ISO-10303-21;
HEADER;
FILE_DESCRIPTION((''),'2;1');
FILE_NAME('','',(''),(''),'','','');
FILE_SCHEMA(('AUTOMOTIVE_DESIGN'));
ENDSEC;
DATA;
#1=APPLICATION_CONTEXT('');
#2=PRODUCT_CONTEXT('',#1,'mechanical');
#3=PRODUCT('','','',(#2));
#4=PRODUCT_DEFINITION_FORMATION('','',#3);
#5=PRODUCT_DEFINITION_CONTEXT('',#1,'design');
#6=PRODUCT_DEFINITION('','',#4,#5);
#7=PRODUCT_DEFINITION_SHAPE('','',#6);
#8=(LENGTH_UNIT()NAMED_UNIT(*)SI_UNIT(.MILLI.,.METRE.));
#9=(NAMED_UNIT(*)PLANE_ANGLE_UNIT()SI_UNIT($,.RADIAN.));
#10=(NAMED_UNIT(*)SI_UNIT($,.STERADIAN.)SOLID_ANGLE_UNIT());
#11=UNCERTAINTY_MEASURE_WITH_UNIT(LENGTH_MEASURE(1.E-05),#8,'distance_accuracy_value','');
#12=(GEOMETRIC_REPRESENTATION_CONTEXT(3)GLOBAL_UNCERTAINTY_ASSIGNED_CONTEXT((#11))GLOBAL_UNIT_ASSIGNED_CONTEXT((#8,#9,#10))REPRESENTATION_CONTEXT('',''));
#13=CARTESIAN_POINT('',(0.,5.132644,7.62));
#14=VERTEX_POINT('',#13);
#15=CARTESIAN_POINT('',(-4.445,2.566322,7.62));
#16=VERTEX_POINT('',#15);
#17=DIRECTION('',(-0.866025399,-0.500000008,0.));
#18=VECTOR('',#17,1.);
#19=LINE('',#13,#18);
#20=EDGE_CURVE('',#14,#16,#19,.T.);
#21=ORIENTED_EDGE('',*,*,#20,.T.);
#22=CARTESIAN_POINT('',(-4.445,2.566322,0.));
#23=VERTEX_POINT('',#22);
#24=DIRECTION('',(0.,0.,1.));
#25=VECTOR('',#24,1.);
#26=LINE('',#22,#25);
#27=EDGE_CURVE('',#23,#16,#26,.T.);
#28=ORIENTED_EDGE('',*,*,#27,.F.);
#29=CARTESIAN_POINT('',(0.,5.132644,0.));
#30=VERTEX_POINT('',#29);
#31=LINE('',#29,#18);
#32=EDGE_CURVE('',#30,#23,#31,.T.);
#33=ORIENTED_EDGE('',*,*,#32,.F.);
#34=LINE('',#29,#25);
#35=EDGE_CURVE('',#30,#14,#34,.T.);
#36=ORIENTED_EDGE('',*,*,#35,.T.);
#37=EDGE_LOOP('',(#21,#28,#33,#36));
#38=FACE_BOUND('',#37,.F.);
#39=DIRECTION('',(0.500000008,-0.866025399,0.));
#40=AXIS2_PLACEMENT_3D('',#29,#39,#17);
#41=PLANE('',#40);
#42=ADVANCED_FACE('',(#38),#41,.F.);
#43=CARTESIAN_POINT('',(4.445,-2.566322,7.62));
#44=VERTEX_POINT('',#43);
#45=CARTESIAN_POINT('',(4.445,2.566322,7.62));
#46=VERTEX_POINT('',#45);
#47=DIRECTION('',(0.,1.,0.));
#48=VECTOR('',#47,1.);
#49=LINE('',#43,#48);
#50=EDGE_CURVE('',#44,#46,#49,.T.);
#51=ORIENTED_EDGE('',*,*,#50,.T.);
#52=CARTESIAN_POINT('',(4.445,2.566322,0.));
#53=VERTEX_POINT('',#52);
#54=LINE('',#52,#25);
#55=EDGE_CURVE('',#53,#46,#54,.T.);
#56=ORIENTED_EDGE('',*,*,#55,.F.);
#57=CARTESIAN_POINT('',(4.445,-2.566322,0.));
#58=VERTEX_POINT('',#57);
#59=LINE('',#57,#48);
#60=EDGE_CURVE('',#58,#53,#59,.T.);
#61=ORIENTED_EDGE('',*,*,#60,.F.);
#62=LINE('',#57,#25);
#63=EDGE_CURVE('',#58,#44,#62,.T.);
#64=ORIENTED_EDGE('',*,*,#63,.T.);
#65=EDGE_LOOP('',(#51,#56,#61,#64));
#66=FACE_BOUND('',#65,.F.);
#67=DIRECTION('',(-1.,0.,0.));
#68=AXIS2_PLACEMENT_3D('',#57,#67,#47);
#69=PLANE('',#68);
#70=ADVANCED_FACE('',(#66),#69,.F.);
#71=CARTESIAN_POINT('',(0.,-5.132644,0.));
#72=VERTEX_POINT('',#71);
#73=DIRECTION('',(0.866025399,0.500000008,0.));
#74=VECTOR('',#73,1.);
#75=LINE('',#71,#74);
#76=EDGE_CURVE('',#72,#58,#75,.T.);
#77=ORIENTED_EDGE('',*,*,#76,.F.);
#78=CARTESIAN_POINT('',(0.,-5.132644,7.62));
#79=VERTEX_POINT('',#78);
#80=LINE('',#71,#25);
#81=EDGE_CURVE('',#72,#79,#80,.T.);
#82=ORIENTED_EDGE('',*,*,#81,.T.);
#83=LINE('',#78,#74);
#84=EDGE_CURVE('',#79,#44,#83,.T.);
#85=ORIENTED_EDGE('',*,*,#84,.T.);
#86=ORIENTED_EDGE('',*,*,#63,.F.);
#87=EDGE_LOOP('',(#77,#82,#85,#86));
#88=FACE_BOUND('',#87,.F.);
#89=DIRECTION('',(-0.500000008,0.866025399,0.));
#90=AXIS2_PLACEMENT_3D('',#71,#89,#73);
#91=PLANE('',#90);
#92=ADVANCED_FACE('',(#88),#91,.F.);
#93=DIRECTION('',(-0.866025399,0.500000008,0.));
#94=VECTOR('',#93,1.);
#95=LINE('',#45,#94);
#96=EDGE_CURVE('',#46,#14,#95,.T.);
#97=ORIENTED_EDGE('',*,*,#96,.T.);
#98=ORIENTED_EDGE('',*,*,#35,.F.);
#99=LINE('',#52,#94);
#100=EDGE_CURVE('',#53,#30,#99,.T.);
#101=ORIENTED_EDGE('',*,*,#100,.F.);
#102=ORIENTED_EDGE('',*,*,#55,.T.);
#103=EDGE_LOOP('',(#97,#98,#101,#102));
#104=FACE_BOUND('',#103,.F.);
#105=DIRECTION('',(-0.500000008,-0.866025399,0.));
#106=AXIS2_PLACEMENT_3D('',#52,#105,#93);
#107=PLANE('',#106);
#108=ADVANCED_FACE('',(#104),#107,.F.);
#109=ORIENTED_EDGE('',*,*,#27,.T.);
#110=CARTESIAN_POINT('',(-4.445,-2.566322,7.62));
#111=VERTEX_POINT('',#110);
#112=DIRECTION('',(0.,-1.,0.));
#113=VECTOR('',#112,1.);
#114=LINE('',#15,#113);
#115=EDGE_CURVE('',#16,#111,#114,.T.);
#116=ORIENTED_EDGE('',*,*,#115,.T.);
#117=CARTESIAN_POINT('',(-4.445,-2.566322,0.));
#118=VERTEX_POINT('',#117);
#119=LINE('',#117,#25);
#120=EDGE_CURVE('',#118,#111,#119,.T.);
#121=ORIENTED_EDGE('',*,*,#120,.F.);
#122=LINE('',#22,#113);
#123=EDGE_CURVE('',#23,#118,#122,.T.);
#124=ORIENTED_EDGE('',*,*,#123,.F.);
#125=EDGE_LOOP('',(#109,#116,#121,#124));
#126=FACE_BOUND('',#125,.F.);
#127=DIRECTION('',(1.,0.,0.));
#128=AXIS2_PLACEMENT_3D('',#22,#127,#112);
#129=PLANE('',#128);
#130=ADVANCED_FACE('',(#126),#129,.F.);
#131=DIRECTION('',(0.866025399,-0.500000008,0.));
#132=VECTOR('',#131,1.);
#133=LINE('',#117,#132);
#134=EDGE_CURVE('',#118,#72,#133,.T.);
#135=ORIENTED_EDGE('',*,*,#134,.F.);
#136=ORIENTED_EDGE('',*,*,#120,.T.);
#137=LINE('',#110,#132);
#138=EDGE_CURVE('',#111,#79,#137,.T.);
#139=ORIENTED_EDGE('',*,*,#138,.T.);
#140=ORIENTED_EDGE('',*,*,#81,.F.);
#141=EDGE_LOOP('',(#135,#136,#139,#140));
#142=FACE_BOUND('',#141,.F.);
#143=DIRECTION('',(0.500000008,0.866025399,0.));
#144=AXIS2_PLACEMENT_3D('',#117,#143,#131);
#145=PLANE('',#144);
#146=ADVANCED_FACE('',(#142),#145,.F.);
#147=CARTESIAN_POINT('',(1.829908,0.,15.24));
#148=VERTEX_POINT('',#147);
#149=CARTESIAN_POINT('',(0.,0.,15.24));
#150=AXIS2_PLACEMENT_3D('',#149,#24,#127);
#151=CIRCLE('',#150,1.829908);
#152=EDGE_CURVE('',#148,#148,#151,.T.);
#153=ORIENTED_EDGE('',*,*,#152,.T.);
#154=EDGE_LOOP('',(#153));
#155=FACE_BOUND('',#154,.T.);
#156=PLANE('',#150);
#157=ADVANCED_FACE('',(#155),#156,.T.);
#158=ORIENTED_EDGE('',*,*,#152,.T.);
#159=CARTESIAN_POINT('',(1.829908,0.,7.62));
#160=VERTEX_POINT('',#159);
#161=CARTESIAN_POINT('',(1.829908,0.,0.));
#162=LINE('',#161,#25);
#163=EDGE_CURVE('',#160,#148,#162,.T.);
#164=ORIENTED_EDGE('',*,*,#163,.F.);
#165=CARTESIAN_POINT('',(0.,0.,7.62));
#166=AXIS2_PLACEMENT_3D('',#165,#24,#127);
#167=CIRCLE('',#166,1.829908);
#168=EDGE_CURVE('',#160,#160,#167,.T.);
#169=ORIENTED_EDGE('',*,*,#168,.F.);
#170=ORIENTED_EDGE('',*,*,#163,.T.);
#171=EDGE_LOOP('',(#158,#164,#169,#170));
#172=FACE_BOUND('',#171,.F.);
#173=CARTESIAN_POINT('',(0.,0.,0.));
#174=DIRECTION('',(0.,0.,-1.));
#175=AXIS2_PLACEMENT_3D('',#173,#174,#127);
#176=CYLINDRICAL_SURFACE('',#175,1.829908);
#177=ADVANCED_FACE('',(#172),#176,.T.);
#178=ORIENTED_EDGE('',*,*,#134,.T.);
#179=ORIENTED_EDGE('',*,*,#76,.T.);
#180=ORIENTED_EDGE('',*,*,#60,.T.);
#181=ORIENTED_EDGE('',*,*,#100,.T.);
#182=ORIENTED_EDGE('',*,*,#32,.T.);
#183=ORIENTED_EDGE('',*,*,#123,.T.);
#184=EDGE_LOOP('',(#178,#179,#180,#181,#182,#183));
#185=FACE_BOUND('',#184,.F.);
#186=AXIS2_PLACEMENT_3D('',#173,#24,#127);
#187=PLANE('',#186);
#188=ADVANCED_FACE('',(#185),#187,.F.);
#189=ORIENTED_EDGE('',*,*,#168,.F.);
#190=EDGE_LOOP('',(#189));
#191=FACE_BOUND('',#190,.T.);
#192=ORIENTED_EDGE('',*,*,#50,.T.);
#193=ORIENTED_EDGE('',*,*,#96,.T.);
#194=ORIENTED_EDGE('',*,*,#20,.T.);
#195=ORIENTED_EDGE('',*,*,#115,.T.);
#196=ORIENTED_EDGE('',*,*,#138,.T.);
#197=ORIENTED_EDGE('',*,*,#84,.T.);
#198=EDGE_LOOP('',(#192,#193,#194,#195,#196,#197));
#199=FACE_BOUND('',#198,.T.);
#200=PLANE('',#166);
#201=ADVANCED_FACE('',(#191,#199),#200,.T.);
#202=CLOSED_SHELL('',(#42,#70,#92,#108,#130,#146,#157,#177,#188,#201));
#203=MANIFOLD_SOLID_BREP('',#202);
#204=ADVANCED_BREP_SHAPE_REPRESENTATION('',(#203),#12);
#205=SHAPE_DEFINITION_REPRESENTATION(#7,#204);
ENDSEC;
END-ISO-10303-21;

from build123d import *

# Parameters (mm, degrees)
F0_R     = 1.829908
F1_DEPTH = 7.62
F2_DEPTH = 15.24


with BuildPart() as f1:
    # F0 (on Top) → F1 (new body)
    with BuildSketch(Plane.XY):
        Polygon((4.445, -2.566322), (4.445, 2.566322), (0, 5.132644), (-4.445, 2.566322), (-4.445, -2.566322), (0, -5.132644), align=None)
        Circle(F0_R, mode=Mode.SUBTRACT)
    extrude(amount=F1_DEPTH)

    # F0 (on Top) → F2 (join)
    with BuildSketch(Plane.XY):
        Circle(F0_R)
    extrude(amount=F2_DEPTH)


solid = f1.part
